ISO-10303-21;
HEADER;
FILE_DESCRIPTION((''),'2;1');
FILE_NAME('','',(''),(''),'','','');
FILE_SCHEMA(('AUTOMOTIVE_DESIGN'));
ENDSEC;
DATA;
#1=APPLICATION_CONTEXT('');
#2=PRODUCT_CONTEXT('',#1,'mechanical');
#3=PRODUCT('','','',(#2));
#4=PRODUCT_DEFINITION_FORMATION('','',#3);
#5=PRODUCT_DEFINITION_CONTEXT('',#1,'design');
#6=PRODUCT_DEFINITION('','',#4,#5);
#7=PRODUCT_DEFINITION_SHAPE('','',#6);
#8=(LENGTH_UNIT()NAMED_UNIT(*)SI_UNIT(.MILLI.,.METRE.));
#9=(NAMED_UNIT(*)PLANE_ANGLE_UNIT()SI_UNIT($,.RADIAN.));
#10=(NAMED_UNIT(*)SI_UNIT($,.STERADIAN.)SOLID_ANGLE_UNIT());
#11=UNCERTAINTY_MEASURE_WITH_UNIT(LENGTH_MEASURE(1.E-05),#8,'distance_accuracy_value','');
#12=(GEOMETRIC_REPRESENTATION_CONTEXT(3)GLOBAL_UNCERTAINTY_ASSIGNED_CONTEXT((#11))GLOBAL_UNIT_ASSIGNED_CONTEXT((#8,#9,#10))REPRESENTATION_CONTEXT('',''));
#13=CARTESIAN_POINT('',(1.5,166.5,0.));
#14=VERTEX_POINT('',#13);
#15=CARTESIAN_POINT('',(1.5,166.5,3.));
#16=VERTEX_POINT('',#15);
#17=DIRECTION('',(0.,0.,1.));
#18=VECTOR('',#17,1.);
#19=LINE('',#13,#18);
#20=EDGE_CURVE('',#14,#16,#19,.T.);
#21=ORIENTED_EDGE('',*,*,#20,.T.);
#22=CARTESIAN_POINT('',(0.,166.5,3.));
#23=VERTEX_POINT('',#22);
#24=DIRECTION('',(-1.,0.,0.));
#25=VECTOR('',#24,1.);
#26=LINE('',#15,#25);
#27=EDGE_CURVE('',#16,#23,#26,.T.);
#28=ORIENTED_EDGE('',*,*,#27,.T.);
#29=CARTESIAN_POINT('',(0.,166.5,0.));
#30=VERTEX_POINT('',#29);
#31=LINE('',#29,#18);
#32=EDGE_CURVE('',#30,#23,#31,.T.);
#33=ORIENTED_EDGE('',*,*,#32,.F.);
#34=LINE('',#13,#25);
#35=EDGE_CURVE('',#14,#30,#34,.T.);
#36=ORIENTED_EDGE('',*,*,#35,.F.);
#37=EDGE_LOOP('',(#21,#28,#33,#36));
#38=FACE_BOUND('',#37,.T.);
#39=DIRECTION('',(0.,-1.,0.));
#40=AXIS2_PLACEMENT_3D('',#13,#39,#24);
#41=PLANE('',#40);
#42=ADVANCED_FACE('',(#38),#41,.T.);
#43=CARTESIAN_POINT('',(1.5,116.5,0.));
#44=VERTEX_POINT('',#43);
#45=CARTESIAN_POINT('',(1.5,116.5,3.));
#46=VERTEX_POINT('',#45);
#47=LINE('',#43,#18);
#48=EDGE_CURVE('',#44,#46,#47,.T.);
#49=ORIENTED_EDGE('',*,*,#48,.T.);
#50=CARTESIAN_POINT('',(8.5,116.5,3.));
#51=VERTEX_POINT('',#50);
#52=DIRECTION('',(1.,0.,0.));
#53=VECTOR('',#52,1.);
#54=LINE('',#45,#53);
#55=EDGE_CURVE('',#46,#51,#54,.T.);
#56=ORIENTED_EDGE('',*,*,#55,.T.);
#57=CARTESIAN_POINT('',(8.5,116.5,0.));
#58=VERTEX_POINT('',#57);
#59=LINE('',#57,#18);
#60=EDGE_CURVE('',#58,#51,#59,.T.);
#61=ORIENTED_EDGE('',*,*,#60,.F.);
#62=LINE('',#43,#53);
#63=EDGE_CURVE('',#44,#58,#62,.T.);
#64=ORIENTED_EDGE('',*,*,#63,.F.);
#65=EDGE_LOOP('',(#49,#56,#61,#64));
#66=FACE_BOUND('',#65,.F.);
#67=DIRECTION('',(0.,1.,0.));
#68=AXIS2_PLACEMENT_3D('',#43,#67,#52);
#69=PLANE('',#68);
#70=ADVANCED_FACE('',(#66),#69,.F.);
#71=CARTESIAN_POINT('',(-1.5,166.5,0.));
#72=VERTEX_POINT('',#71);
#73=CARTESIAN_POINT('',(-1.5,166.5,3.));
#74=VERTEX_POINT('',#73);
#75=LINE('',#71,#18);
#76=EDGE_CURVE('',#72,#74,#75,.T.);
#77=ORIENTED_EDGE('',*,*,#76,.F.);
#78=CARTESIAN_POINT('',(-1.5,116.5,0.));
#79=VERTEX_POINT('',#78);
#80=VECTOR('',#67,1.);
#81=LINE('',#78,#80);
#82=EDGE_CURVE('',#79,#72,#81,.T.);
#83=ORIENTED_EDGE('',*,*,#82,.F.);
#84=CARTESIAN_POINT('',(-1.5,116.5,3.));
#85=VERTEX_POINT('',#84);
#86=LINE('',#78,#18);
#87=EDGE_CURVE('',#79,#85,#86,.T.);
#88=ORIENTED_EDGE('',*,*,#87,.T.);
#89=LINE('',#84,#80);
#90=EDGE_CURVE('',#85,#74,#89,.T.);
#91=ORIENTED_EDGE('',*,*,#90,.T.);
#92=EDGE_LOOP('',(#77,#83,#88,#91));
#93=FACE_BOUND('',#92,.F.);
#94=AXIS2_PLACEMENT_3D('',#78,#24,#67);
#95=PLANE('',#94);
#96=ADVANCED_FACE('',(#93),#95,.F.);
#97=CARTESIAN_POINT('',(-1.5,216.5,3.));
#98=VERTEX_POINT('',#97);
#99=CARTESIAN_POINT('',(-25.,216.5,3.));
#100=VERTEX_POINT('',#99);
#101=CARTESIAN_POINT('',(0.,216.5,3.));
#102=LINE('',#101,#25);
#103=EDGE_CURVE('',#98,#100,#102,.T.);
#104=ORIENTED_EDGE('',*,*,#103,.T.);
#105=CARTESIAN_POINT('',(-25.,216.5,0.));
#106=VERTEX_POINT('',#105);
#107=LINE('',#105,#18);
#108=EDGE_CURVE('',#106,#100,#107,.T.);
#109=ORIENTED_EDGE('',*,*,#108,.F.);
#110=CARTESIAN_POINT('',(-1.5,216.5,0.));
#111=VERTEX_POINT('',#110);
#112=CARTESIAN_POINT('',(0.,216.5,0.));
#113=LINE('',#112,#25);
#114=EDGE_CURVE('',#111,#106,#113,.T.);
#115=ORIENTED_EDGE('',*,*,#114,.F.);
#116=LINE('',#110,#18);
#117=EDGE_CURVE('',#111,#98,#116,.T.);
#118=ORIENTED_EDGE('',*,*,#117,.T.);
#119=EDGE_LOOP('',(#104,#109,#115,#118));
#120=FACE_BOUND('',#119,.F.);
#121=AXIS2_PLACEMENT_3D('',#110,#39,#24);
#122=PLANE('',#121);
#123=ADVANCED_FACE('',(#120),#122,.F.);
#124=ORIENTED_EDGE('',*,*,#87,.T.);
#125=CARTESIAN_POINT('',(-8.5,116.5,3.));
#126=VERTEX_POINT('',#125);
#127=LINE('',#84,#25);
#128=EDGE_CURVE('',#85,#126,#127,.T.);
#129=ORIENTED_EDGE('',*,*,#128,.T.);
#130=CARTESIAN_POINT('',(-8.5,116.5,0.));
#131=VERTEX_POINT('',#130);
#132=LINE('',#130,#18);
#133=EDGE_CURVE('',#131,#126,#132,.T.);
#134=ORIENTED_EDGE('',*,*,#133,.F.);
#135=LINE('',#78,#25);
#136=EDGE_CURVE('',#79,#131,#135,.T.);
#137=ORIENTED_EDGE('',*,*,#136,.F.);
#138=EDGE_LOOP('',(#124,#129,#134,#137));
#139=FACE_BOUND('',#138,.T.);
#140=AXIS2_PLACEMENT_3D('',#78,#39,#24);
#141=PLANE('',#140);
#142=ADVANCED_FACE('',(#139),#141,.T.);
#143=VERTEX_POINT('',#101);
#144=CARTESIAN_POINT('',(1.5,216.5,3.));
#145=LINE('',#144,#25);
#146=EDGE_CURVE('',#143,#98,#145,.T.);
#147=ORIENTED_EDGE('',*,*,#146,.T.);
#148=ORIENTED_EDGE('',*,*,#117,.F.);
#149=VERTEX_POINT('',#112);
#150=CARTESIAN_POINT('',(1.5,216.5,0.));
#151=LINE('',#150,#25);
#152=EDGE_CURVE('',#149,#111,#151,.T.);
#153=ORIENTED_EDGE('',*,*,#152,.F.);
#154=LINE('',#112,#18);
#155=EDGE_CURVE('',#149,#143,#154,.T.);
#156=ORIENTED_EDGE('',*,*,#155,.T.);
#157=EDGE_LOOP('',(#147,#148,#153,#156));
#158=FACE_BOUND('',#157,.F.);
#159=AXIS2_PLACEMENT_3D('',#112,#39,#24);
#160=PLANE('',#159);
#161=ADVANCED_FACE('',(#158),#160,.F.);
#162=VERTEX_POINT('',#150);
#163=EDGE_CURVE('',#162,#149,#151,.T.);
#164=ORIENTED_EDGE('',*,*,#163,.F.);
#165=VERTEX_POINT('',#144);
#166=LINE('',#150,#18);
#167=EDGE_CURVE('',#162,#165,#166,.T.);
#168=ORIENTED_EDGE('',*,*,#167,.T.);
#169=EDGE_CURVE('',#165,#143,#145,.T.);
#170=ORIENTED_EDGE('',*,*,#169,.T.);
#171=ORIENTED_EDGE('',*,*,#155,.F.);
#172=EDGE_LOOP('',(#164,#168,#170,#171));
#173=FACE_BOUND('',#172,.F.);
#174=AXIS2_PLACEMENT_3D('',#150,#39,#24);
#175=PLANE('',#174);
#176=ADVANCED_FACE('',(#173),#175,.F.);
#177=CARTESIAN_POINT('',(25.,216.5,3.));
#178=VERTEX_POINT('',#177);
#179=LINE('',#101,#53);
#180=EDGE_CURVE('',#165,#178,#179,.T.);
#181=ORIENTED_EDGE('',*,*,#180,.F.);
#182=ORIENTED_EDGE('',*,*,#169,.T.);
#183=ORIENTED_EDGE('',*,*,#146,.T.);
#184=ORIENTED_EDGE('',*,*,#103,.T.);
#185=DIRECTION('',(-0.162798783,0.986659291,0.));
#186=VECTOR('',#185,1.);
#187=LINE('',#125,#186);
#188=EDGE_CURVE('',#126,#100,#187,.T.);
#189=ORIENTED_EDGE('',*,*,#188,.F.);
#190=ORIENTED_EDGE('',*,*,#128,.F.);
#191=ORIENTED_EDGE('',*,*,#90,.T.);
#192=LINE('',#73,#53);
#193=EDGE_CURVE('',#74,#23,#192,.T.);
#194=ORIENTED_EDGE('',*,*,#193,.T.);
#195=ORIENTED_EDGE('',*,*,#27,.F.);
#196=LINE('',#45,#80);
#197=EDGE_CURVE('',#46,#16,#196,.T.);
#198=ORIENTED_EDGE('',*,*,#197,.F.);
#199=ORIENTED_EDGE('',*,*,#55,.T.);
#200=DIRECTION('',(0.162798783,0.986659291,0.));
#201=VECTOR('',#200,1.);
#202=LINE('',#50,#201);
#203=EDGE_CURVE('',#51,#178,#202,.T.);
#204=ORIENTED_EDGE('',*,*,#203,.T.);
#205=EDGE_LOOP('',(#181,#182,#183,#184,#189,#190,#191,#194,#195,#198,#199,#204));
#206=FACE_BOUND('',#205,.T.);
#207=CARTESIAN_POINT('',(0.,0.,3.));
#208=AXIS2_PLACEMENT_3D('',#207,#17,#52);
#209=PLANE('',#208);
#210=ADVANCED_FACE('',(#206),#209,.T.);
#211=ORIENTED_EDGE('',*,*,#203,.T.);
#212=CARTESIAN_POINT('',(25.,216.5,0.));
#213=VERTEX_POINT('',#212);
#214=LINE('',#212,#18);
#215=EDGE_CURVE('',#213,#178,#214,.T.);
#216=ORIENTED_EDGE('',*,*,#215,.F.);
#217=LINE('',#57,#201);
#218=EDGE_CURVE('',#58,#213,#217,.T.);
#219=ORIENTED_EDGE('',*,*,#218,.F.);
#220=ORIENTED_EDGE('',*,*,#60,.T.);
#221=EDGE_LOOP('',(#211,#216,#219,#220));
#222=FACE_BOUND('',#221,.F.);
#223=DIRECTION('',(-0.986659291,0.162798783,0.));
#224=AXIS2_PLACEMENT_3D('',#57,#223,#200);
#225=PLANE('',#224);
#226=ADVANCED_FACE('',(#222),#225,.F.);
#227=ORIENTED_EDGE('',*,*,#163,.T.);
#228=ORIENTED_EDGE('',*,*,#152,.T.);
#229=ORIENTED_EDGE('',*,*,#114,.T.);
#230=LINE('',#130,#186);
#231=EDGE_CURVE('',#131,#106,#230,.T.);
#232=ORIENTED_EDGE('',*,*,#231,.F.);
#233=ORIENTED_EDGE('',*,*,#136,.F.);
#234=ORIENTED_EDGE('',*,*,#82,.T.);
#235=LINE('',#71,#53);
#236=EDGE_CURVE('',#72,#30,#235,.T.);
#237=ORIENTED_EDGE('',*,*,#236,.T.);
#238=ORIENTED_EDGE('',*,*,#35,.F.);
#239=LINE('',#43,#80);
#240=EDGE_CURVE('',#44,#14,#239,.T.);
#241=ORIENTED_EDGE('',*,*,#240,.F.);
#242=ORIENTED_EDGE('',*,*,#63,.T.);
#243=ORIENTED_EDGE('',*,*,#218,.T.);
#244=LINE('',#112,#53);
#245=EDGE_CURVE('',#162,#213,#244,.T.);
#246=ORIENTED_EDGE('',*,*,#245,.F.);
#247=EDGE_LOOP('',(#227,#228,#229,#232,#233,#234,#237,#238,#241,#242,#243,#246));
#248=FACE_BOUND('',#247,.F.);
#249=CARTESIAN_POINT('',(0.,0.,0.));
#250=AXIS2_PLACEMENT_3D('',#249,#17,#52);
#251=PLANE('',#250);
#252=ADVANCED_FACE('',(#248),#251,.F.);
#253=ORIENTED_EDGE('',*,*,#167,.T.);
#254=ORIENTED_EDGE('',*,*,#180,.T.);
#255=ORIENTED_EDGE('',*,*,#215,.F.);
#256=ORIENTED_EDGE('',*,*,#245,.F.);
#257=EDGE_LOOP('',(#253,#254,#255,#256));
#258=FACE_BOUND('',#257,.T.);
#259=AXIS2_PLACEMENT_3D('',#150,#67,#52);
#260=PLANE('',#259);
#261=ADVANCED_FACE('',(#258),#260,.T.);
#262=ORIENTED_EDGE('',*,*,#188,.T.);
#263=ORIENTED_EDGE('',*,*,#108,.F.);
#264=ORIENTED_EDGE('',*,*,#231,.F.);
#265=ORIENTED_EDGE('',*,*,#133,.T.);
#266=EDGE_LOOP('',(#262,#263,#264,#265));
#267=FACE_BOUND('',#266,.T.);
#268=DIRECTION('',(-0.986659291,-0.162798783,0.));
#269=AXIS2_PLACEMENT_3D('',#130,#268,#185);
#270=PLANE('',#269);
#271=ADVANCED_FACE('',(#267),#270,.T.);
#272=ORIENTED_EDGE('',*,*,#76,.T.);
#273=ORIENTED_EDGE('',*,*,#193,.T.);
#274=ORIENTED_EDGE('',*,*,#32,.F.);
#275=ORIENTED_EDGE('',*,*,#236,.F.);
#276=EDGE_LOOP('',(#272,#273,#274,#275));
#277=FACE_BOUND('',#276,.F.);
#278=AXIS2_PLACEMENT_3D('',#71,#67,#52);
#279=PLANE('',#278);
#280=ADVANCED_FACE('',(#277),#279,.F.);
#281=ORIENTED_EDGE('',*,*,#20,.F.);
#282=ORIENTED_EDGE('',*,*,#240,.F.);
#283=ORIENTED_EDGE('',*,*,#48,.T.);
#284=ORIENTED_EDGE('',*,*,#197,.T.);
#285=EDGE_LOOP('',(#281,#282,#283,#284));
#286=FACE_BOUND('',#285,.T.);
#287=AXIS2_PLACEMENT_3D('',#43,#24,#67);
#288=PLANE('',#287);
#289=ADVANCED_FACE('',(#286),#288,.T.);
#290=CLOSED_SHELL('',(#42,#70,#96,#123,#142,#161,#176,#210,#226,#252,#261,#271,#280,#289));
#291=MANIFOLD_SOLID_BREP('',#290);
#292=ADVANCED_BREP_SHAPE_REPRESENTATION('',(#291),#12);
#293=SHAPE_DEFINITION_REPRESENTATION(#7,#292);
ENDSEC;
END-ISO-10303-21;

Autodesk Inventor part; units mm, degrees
ref_plane "YZ Plane" through (0, 0, 0) normal (1, 0, 0) x (0, 1, 0)
ref_plane "XZ Plane" through (0, 0, 0) normal (0, 1, 0) x (-1, 0, 0)
ref_plane "XY Plane" through (0, 0, 0) normal (0, 0, 1) x (1, 0, 0)
sketch "Sketch1" plane through (0, 0, 0) normal (0, 0, 1) x (1, 0, 0)
  line L0 (1.5, 216.5) -> (-1.5, 216.5) projected
  line L1 (0, 216.5) -> (-25, 216.5)
  line L2 (-1.5, 116.5) -> (-8.5, 116.5)
  line L3 (-8.5, 116.5) -> (-25, 216.5)
  line L4 (-1.5, 116.5) -> (-1.5, 166.5)
  line L5 (-1.5, 166.5) -> (0, 166.5)
  line L6 (0, 166.5) -> (0, 216.5) construction
  line L7 (0, 216.5) -> (25, 216.5)
  line L8 (1.5, 116.5) -> (8.5, 116.5)
  line L9 (8.5, 116.5) -> (25, 216.5)
  line L10 (1.5, 116.5) -> (1.5, 166.5)
  line L11 (1.5, 166.5) -> (0, 166.5)
  point P0 (0, 0)
  dimension "d0" = 25
  dimension "d6" = 8.5
  dimension "d7" = 99.369
  dimension "d8" = 50
  dimension "d9" = 1.5
  dimension "d10" = 50
extrude "Extrusion1" add sketch "Sketch1" along normal blind 3
properties part number "Base_Estructura"
